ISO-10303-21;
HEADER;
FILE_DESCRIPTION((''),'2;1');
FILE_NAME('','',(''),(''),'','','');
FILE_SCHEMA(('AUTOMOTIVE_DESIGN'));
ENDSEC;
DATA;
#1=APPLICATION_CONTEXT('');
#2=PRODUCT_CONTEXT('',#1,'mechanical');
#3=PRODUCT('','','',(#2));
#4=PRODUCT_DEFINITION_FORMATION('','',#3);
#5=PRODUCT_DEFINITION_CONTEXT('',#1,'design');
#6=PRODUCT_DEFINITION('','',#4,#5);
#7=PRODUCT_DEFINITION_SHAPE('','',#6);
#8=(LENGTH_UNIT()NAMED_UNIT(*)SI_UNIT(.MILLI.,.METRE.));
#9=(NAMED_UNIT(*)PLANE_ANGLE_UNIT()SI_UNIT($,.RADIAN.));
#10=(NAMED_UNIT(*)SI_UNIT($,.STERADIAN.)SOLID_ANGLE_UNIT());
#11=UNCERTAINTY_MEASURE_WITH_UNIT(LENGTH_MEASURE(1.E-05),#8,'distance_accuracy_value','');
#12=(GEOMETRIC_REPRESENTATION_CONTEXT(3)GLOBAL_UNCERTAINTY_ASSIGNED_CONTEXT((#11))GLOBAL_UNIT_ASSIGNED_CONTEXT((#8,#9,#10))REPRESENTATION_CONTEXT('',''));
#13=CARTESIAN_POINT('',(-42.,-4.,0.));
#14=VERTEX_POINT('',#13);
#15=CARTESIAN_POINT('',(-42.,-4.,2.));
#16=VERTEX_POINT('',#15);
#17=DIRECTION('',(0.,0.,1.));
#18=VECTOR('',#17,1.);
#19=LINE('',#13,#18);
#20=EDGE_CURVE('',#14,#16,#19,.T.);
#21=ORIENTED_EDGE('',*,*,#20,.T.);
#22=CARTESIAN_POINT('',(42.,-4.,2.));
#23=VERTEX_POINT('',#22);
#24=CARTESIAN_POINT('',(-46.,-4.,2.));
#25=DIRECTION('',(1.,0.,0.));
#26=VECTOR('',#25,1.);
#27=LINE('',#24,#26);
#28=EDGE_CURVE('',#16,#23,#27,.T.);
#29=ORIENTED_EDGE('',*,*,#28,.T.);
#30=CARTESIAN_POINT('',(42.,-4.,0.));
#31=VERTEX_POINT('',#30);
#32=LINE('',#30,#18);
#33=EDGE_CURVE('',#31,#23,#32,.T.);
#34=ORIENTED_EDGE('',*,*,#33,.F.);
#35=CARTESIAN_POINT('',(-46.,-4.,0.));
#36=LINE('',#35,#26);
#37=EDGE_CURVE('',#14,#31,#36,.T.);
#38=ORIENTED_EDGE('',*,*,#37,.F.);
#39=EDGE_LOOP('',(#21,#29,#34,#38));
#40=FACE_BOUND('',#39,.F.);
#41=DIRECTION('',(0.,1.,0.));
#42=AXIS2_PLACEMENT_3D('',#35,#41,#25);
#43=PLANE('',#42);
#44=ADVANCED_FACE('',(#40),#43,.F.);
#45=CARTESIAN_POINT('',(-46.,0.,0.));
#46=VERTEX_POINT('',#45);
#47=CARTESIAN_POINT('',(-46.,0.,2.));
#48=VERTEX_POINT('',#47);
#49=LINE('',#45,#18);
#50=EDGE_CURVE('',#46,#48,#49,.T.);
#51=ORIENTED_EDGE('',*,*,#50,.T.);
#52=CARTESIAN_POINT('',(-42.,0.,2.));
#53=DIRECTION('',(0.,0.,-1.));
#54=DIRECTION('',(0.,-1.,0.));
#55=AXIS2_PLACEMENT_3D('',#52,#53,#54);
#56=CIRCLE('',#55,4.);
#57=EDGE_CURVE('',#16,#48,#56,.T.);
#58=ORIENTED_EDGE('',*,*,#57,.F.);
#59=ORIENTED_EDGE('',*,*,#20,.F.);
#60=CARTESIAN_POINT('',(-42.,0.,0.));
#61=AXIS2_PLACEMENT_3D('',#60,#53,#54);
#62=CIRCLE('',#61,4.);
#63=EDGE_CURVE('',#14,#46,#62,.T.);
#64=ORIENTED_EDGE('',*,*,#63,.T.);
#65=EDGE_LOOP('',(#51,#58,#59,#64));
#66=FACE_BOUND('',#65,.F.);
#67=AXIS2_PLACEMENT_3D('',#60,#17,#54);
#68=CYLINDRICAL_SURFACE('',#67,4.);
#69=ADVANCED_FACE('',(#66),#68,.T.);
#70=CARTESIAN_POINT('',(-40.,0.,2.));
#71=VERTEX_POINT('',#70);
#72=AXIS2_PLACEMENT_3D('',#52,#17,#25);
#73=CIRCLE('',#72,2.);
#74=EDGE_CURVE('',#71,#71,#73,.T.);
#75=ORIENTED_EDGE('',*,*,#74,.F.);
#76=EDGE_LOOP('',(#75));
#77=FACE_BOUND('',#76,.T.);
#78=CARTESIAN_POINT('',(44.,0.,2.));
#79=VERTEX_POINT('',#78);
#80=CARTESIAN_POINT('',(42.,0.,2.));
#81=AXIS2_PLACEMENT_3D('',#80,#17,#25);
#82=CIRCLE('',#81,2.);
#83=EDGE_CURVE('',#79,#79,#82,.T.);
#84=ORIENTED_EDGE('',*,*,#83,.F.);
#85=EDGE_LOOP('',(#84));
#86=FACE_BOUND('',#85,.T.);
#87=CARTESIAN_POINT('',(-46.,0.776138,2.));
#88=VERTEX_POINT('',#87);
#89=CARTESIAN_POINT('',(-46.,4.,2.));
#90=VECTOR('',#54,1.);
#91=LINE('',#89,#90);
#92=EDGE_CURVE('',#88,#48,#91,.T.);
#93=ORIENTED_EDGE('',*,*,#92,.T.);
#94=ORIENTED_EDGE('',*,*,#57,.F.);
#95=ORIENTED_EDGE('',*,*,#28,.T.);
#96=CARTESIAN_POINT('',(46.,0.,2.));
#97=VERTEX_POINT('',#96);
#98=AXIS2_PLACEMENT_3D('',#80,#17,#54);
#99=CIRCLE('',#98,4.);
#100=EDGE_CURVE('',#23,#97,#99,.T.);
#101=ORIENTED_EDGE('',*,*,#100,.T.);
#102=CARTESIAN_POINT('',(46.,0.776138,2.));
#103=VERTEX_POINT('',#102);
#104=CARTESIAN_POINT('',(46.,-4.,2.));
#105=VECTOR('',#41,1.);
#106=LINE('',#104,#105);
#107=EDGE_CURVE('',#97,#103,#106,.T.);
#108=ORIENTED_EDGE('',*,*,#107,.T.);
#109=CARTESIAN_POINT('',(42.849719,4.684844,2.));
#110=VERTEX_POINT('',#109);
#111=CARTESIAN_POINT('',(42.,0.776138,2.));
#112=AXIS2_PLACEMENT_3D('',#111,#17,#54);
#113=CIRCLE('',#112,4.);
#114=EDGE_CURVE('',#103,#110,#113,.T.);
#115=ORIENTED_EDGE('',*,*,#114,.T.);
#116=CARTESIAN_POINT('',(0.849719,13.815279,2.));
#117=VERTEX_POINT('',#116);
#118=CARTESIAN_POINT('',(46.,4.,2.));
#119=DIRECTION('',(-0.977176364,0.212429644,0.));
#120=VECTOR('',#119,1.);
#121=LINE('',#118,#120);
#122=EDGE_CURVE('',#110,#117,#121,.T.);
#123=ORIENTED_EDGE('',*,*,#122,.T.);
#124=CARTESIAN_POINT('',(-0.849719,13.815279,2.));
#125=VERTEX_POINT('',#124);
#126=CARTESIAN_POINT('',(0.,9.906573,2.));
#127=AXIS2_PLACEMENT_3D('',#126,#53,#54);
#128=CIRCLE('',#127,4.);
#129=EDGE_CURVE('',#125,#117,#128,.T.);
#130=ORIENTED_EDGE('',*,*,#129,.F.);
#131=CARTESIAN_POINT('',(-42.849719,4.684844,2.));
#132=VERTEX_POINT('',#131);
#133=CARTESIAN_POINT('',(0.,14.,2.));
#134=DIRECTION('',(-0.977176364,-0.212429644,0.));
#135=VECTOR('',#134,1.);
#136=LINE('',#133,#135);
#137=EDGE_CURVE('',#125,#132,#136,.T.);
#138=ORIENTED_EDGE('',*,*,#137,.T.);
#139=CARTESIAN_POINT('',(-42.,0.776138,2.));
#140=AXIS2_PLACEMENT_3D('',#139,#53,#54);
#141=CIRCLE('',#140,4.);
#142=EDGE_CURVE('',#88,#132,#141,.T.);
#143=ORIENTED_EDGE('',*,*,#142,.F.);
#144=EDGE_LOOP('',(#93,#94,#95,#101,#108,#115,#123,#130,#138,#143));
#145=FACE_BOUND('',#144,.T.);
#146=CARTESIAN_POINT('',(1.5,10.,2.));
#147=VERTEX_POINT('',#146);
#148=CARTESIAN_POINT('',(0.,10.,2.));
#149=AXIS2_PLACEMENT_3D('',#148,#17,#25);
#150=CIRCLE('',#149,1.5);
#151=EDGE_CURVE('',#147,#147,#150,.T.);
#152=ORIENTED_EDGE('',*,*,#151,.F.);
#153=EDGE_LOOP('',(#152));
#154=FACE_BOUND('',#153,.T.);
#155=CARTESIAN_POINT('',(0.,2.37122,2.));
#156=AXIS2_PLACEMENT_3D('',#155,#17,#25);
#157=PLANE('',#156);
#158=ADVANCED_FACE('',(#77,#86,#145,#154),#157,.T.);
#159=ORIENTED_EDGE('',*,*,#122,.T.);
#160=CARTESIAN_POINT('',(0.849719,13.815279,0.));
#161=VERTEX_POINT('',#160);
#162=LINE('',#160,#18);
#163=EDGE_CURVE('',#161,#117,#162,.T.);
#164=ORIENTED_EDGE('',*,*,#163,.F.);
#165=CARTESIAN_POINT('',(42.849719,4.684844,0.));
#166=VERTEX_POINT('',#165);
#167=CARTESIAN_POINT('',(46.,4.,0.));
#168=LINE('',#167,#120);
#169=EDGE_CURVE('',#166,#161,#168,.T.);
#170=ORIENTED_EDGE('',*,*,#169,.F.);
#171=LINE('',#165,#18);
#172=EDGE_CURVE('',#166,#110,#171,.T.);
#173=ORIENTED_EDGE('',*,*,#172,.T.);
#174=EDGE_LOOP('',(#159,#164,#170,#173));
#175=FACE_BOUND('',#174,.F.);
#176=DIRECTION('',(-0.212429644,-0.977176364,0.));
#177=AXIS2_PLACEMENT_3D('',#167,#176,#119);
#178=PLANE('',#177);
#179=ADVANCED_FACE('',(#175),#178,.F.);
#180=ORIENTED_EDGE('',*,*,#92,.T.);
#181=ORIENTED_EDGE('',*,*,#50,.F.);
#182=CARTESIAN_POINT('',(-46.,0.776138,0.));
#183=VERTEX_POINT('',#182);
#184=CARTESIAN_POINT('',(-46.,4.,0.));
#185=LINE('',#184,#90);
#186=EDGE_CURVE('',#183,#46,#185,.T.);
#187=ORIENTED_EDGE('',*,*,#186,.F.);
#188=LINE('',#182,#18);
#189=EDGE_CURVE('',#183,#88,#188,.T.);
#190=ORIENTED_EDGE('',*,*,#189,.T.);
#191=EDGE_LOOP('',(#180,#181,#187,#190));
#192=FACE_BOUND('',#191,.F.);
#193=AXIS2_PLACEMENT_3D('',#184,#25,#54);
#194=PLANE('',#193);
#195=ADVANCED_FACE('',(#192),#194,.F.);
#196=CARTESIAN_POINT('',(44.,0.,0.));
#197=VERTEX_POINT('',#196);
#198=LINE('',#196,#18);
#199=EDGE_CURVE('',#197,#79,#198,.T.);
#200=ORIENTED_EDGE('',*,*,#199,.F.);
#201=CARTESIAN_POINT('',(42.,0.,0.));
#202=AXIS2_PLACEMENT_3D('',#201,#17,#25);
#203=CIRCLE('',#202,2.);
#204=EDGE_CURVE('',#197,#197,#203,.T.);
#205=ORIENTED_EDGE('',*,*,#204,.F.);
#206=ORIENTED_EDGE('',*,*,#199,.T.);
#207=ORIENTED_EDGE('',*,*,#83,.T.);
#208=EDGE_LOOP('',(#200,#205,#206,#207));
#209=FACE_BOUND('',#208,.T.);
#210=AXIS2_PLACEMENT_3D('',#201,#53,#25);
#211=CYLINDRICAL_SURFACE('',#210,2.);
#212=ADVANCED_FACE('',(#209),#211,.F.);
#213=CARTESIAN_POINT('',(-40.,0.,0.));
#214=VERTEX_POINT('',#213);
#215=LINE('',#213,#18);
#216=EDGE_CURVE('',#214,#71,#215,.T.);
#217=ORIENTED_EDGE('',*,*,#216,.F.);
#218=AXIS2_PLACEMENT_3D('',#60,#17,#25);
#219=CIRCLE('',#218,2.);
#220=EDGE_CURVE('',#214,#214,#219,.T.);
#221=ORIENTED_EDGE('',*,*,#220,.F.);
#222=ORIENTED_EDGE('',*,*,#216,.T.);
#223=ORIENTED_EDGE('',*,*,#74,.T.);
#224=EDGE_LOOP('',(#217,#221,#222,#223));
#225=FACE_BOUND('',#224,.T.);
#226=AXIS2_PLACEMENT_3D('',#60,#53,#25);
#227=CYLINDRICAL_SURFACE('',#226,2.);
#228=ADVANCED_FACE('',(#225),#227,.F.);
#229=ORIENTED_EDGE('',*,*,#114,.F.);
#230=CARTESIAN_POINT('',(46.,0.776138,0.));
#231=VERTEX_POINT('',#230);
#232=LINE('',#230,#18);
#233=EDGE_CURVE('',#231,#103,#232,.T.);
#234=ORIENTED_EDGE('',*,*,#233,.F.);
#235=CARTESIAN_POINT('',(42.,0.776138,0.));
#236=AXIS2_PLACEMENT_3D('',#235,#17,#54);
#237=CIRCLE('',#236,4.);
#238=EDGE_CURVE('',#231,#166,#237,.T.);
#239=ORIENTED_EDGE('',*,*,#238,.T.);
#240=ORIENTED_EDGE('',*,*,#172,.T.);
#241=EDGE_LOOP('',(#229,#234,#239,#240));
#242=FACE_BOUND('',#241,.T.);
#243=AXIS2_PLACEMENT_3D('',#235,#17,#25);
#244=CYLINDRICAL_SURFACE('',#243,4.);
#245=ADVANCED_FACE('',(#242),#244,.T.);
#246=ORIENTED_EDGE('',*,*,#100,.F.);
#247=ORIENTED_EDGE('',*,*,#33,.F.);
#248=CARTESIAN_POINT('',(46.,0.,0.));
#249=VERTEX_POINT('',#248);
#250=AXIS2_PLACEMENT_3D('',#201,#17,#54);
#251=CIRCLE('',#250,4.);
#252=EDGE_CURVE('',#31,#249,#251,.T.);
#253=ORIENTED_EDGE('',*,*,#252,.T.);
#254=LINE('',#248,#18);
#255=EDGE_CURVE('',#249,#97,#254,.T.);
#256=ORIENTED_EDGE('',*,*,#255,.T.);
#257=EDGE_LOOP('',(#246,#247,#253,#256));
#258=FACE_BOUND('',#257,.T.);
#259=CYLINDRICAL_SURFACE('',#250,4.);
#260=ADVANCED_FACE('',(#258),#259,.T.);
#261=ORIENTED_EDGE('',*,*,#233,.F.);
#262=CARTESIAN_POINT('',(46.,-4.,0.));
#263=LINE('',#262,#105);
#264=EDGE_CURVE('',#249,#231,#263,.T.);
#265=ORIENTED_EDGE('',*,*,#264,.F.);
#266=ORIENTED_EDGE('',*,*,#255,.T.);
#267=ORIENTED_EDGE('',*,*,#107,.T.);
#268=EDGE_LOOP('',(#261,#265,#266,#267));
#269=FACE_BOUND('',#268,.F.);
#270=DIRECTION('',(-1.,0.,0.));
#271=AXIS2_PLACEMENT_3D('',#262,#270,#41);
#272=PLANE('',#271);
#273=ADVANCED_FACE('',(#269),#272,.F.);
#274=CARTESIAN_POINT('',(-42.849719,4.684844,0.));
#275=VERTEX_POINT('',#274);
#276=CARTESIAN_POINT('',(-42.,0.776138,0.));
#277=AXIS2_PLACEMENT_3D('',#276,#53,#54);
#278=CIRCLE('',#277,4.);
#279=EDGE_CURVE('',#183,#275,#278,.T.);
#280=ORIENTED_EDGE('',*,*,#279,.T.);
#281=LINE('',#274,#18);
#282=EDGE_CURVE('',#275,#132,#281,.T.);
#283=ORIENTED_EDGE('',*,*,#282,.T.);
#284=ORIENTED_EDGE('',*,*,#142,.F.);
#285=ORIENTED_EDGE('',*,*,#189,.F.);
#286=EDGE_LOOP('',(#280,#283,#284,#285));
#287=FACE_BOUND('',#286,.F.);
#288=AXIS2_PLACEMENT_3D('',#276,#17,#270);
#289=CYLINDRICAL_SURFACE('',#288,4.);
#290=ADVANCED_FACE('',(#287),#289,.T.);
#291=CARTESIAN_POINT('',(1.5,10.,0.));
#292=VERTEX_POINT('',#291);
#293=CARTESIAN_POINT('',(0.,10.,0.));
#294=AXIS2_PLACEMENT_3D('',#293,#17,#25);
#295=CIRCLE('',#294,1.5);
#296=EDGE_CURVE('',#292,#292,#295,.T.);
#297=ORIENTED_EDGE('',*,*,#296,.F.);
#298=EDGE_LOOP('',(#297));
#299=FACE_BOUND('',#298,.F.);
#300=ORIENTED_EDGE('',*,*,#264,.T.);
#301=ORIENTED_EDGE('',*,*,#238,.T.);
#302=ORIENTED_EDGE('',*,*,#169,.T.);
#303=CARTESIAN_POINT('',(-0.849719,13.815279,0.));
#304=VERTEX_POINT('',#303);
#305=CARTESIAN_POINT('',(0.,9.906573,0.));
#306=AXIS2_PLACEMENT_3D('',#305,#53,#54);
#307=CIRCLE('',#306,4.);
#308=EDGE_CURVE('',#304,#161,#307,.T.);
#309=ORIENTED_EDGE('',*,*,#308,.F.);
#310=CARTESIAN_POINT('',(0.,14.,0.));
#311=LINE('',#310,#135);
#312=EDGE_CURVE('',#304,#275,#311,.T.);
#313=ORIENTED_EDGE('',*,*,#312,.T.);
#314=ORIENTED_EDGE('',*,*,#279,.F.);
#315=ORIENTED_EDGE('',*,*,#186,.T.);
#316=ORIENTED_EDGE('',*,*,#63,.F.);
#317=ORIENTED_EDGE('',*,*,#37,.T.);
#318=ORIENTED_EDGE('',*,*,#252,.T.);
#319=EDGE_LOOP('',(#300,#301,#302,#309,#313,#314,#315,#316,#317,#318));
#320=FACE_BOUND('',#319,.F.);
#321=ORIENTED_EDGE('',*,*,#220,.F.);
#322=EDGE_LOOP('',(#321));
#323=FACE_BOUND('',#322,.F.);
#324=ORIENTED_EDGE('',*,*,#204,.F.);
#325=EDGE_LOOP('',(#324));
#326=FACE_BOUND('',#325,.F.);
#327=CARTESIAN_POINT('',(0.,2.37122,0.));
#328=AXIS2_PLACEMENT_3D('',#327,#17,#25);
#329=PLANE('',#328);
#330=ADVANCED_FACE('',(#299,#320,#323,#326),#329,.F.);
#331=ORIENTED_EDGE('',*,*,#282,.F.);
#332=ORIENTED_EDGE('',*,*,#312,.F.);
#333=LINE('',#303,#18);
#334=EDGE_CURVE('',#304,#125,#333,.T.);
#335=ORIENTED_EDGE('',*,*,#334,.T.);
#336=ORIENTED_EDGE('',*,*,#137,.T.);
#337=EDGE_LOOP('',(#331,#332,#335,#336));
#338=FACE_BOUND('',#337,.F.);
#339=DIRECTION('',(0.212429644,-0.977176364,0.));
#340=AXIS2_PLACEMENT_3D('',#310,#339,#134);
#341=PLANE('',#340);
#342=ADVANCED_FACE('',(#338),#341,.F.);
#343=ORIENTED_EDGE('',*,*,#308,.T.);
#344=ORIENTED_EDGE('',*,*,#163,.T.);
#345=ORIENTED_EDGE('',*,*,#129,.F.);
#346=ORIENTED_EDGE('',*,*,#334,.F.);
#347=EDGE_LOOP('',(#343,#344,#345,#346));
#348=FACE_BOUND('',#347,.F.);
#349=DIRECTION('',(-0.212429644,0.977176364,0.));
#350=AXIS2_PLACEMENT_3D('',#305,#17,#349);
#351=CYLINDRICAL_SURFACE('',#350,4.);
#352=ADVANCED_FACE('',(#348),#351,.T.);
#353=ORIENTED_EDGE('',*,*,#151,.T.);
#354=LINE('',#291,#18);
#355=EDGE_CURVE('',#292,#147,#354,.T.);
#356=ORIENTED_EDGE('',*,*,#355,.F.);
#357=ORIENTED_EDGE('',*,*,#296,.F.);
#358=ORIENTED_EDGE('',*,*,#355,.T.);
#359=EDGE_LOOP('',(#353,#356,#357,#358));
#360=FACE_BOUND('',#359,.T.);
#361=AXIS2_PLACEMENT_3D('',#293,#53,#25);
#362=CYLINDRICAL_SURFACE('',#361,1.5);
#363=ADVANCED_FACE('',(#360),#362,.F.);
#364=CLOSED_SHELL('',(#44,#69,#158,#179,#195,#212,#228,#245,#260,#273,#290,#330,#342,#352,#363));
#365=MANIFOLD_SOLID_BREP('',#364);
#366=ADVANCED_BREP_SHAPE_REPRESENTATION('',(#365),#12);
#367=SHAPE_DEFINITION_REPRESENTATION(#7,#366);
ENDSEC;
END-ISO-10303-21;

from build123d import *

# Parameters (mm, degrees)
SKETCH_R   = 2
SKETCH_R_2 = 1.5
PAD_DEPTH  = 2
FILLET_R   = 4


with BuildPart() as part:
    # Sketch → Pad (new body)
    with BuildSketch(Plane.XY):
        Polygon((-46, -4), (46, -4), (46, 4), (0, 14), (-46, 4), align=None)
        with Locations((-42, 0)):
            Circle(SKETCH_R, mode=Mode.SUBTRACT)
        with Locations((42, 0)):
            Circle(SKETCH_R, mode=Mode.SUBTRACT)
        with Locations((0, 10)):
            Circle(SKETCH_R_2, mode=Mode.SUBTRACT)
    extrude(amount=PAD_DEPTH)

    # Fillet
    fillet_edges = [part.edges().sort_by_distance(p)[0] for p in [
        (46, -4, 1),
        (46, 4, 1),
        (-46, -4, 1),
        (-46, 4, 1),
        (0, 14, 1),
    ]]
    fillet(fillet_edges, radius=FILLET_R)


solid = part.part
